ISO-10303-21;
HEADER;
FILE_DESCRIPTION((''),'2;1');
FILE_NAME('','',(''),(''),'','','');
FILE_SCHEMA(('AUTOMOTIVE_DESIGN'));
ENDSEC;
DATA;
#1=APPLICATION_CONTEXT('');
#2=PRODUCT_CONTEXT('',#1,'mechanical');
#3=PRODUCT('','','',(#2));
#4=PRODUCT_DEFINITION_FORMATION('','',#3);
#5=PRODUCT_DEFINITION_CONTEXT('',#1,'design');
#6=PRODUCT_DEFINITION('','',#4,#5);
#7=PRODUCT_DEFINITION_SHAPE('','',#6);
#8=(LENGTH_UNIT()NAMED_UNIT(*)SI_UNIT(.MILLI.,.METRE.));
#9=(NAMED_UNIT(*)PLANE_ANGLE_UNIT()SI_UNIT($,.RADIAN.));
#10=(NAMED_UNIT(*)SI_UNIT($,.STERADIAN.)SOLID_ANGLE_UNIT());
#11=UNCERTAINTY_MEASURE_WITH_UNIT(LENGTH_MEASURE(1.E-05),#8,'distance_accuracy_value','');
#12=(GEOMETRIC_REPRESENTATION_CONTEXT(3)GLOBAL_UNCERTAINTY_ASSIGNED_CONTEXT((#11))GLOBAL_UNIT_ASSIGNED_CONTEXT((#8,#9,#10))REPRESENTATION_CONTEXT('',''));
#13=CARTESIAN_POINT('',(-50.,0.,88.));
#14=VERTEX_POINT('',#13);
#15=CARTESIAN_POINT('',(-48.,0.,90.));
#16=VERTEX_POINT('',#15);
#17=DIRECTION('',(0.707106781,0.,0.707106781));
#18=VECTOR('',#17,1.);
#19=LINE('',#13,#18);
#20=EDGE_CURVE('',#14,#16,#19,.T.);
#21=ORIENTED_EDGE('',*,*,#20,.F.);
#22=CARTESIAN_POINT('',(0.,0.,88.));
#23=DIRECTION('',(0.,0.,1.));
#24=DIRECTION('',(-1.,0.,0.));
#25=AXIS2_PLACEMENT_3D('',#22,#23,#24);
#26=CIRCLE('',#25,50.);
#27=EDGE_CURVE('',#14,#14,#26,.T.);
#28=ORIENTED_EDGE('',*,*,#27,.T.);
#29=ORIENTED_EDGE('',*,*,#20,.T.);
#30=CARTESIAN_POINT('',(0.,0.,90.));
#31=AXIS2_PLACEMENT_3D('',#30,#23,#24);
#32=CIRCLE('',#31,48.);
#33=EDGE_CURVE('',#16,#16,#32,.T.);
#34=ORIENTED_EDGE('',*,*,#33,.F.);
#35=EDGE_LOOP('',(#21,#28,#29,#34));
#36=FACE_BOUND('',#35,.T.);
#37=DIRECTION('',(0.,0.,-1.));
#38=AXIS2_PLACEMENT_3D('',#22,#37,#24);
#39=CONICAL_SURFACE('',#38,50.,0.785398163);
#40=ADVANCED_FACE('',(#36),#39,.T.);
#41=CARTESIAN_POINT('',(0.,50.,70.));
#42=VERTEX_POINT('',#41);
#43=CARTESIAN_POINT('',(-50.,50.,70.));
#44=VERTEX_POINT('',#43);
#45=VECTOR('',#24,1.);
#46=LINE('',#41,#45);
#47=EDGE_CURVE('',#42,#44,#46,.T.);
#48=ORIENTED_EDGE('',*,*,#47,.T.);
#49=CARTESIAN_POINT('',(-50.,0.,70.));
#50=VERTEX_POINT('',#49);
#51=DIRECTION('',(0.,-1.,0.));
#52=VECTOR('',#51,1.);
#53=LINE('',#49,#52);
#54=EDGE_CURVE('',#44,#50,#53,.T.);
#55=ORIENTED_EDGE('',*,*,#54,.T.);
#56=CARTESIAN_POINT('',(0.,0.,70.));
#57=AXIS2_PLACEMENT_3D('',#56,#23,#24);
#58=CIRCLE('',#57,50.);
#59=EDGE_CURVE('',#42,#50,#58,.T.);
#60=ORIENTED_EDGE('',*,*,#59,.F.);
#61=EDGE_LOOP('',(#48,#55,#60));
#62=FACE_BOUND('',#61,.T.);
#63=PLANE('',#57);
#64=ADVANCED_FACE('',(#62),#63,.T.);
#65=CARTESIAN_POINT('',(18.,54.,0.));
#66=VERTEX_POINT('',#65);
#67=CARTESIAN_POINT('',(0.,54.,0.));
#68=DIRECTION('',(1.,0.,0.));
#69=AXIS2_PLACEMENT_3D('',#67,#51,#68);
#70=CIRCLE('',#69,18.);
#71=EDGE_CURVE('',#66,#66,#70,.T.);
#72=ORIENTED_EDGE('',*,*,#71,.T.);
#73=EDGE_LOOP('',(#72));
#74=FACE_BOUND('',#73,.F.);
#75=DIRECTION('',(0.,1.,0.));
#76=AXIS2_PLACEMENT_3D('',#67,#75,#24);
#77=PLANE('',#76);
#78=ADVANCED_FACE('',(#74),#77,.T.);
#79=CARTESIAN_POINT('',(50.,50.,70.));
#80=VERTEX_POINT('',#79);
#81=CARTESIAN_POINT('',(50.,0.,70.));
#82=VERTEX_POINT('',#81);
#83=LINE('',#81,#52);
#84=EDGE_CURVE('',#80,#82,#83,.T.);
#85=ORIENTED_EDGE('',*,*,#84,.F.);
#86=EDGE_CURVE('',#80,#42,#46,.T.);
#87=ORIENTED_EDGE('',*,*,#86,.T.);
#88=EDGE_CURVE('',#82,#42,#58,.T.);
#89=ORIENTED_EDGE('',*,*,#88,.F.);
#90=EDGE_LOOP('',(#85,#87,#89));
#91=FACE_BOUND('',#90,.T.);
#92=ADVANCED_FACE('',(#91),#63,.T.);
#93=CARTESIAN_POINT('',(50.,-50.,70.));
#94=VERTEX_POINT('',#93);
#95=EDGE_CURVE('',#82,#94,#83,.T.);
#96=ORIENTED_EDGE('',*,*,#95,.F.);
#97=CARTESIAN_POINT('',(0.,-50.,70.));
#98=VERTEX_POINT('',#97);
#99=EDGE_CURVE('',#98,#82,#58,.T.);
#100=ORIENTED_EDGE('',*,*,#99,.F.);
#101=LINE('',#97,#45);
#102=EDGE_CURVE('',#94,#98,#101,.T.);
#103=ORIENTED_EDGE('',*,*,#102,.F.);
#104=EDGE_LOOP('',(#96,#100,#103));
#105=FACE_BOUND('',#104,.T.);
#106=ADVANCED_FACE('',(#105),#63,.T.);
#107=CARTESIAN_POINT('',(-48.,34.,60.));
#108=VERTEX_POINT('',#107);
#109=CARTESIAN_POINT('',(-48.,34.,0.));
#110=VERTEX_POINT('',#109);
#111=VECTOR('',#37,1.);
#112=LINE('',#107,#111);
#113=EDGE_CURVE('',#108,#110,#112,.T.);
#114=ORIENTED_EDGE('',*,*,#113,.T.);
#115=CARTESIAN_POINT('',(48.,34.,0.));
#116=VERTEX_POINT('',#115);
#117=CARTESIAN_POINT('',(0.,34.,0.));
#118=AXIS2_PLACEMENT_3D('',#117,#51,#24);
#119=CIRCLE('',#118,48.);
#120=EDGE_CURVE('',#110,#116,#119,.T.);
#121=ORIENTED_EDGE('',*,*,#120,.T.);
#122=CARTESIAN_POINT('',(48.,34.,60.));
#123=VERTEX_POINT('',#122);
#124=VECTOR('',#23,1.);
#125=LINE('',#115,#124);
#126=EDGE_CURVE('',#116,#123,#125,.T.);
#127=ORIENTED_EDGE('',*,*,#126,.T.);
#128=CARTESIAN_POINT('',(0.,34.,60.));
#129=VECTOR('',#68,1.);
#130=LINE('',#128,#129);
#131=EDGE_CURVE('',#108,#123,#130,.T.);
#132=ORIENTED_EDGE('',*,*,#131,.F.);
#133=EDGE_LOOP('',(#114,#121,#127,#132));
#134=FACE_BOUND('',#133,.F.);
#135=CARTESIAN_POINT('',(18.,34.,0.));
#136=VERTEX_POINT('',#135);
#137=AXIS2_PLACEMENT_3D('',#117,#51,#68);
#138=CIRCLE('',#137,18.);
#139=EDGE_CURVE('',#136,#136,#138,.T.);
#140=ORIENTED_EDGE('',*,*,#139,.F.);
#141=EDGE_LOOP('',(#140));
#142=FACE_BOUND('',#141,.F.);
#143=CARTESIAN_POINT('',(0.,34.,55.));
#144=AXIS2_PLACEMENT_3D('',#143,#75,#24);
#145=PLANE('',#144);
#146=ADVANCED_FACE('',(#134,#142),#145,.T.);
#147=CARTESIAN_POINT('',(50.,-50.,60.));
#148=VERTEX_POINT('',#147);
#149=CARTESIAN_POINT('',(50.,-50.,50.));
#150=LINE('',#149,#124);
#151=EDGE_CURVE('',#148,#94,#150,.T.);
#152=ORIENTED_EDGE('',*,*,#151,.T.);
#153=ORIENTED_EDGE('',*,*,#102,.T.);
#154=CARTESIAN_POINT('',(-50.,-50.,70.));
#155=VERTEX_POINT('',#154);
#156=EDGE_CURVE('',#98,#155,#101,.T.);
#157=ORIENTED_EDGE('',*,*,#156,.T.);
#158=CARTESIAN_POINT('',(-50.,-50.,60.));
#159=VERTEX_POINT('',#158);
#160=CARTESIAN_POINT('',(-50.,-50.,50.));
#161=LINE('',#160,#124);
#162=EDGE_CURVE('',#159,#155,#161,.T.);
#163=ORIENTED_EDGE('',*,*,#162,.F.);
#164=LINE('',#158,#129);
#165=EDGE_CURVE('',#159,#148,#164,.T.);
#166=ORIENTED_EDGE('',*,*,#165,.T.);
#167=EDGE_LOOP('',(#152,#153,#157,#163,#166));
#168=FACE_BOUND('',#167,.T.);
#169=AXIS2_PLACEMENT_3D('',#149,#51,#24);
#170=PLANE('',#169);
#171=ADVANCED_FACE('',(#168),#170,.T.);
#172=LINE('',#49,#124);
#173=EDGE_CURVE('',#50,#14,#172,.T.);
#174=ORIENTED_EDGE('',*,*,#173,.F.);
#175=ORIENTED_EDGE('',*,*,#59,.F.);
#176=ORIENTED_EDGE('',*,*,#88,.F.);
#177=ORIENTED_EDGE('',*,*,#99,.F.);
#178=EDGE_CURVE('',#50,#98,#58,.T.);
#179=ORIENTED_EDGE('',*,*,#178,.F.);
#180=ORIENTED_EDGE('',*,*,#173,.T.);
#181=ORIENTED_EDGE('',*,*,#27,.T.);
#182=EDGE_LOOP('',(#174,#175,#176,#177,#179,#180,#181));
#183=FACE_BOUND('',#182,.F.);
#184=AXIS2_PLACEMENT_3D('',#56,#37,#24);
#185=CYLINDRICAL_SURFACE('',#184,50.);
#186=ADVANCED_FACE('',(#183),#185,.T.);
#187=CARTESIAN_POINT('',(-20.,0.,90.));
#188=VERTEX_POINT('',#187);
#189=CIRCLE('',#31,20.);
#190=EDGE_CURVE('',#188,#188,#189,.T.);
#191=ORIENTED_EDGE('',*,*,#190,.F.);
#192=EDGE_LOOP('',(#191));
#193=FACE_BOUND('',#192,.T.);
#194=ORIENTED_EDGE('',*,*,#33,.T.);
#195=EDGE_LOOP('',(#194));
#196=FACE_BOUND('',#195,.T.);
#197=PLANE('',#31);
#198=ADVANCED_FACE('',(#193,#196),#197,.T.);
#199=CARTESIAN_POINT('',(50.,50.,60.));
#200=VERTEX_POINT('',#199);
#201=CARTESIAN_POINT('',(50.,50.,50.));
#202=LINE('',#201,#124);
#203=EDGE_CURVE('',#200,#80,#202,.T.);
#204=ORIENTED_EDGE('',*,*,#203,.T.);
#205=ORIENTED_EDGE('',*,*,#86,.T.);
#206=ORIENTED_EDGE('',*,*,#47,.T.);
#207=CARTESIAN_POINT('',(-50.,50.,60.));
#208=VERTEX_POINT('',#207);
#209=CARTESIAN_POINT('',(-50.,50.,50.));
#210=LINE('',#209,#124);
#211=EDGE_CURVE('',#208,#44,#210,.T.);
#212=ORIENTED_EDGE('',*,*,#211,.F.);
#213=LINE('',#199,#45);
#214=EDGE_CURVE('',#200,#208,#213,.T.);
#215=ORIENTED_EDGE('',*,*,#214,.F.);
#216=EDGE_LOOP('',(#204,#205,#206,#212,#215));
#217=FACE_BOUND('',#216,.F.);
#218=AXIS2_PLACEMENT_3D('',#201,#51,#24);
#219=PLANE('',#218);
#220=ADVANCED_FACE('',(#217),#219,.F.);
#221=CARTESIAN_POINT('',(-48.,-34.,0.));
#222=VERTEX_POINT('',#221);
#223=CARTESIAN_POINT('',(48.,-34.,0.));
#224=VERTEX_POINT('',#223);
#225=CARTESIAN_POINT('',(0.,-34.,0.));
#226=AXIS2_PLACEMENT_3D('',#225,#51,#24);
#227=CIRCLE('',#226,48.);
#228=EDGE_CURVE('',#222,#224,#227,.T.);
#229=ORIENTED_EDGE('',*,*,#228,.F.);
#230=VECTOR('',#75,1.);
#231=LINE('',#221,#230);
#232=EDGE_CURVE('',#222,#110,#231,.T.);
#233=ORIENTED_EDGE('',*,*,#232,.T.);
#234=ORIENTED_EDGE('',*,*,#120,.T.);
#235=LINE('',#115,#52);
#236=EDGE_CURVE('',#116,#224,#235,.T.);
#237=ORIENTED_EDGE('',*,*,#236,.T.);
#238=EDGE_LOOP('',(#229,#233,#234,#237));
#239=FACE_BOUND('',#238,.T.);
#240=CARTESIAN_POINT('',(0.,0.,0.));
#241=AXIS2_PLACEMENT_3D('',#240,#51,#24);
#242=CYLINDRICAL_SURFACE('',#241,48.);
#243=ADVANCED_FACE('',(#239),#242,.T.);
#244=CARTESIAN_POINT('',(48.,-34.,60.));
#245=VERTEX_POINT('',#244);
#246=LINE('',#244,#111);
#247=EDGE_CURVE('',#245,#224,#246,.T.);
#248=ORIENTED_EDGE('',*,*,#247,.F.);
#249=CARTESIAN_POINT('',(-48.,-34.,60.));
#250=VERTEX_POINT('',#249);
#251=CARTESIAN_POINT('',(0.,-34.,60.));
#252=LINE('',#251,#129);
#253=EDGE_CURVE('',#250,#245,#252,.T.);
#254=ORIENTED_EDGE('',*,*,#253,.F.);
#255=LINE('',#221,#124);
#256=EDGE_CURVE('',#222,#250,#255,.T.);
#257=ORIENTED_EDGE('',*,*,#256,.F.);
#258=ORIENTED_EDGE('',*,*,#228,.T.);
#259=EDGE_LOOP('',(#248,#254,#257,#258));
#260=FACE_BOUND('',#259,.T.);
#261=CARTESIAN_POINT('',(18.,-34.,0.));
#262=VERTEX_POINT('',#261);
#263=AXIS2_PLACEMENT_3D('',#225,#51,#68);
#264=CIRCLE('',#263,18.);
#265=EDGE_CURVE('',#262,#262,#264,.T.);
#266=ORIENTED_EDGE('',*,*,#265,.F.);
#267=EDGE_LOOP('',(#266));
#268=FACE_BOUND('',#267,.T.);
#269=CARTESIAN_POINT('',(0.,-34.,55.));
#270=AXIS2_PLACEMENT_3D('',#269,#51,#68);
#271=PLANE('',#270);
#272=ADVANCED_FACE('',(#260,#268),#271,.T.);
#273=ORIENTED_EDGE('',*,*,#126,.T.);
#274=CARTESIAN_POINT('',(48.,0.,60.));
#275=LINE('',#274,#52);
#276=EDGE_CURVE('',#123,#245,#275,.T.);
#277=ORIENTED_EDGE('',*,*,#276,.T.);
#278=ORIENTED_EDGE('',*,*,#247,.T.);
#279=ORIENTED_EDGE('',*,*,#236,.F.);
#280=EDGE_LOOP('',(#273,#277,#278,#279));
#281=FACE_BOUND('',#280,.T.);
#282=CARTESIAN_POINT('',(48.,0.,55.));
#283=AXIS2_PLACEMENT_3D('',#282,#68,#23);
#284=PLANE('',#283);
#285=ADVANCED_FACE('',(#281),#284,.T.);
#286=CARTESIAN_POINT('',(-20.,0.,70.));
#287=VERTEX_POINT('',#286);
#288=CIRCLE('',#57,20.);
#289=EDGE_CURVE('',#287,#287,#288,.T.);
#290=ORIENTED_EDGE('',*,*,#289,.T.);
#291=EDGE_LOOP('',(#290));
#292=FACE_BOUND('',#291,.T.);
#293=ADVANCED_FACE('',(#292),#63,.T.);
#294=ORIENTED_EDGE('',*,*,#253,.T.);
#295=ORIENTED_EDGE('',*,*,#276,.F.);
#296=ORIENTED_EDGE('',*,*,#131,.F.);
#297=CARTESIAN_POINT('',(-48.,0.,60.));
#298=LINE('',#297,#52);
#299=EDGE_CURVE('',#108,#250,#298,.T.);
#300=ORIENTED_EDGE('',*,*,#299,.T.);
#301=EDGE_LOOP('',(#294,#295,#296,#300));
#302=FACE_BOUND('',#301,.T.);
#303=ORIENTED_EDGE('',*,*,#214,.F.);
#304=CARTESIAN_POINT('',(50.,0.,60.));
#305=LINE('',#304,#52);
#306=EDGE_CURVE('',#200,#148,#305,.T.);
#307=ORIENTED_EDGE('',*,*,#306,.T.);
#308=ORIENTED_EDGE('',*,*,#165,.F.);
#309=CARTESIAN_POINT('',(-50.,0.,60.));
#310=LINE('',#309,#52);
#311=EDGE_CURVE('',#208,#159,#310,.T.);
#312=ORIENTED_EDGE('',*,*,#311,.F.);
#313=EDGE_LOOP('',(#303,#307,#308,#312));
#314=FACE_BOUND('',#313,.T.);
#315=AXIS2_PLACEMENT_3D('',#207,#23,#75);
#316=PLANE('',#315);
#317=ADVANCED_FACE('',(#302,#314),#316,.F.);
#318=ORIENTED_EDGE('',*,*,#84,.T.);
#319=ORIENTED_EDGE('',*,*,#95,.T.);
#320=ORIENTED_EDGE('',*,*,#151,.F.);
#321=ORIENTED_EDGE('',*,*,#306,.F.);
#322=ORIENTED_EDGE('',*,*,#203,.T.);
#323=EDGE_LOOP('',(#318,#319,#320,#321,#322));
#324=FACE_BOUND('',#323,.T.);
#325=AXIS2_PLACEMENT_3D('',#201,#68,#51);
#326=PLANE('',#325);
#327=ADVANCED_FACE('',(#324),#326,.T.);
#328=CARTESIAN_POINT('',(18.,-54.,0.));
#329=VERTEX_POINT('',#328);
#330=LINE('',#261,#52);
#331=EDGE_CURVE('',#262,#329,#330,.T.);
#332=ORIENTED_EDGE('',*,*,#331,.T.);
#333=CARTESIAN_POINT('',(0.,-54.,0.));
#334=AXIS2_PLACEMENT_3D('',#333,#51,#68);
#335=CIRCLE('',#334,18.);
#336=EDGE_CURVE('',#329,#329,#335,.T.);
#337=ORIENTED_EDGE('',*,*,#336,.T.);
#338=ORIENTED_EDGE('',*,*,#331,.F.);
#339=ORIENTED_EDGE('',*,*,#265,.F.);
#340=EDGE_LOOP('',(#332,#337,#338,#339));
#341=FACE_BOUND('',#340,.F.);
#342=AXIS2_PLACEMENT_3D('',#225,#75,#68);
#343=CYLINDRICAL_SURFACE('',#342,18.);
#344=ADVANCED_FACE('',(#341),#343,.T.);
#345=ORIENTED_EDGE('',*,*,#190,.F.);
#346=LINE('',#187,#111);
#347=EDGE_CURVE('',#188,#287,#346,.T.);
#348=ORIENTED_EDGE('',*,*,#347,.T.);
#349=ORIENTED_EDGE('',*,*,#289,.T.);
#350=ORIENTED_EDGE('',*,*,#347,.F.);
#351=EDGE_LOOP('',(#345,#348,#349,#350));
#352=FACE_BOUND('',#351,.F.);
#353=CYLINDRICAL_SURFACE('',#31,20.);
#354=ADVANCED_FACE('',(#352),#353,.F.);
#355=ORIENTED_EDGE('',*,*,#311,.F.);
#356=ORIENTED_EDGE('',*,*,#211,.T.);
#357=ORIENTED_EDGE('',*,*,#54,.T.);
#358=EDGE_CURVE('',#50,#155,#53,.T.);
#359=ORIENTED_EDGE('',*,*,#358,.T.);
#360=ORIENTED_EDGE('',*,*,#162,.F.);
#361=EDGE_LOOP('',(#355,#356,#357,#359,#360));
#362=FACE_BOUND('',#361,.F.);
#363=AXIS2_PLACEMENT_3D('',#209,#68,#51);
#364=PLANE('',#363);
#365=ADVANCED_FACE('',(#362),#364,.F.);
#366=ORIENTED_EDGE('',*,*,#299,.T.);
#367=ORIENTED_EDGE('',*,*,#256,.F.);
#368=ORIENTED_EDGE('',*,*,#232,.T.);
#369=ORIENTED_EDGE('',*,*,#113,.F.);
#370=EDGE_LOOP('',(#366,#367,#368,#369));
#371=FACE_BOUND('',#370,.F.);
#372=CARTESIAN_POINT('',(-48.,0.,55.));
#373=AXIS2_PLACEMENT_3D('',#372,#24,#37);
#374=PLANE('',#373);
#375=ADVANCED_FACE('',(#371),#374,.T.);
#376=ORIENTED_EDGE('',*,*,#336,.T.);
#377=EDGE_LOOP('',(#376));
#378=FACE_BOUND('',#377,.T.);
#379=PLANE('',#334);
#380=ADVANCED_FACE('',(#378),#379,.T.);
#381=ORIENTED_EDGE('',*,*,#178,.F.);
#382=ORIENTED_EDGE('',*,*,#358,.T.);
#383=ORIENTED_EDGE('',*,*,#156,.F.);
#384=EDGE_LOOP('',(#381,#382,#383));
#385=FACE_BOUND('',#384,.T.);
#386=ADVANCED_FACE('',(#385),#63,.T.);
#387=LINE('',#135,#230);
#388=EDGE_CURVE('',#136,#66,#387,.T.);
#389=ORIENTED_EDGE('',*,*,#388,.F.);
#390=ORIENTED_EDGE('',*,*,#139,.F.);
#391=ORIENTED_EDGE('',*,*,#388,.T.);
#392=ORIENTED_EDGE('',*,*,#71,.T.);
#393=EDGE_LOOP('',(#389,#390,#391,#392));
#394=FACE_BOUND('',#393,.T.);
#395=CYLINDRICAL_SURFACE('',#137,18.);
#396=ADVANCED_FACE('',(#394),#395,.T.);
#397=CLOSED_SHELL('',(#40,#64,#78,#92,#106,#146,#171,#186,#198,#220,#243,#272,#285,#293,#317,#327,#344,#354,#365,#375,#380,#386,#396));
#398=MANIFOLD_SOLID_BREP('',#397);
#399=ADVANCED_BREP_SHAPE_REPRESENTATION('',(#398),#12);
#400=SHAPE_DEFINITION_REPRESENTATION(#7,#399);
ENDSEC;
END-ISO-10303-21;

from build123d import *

# Parameters (mm, degrees)
PAD_DEPTH       = 34
SKETCH001_R     = 18
PAD001_DEPTH    = 20
SKETCH002_W     = 100
SKETCH002_H     = 100
PAD002_DEPTH    = 20
SKETCH003_R     = 50
PAD003_DEPTH    = 20
CHAMFER_SIZE    = 2
SKETCH004_R     = 20
POCKET_DEPTH    = 20
SKETCH005_W     = 96
SKETCH005_H     = 10
POCKET001_DEPTH = 16
SKETCH006_W     = 10
SKETCH006_H     = 100
POCKET002_DEPTH = 2


with BuildPart() as part:
    # Sketch → Pad (new body, symmetric)
    with BuildSketch(Plane.XZ):
        with BuildLine():
            ThreePointArc((-48, 0), (0, -48), (48, 0))
            Line((48, 50), (48, 0))
            Line((-48, 50), (48, 50))
            Line((-48, 0), (-48, 50))
        make_face()
    extrude(amount=PAD_DEPTH, both=True)

    # Sketch001 (on Face6 of Pad) → Pad001 (join)
    with BuildSketch(Plane.XZ.offset(34)):
        Circle(SKETCH001_R)
    pad001 = extrude(amount=PAD001_DEPTH)

    # Mirrored: Pad001 across XZ
    add(pad001.mirror(Plane.XZ))

    # Sketch002 (on Face6 of Mirrored) → Pad002 (join)
    with BuildSketch(Plane(origin=(0, 0, 50), x_dir=(-1, 0, 0), z_dir=(0, 0, 1))):
        Rectangle(SKETCH002_W, SKETCH002_H)
    extrude(amount=PAD002_DEPTH)

    # Sketch003 (on Face5 of Pad002) → Pad003 (join)
    with BuildSketch(Plane(origin=(0, 0, 70), x_dir=(-1, 0, 0), z_dir=(0, 0, 1))):
        Circle(SKETCH003_R)
    extrude(amount=PAD003_DEPTH)

    # Chamfer
    chamfer_edges = [part.edges().sort_by_distance(p)[0] for p in [
        (50, 0, 90),
    ]]
    chamfer(chamfer_edges, length=CHAMFER_SIZE)

    # Sketch004 (on Face7 of Chamfer) → Pocket (cut)
    with BuildSketch(Plane(origin=(0, 0, 90), x_dir=(-1, 0, 0), z_dir=(0, 0, 1))):
        Circle(SKETCH004_R)
    extrude(amount=-POCKET_DEPTH, mode=Mode.SUBTRACT)

    # Sketch005 (on Face11 of Pocket) → Pocket001 (cut)
    with BuildSketch(Plane.XZ.offset(50)):
        with Locations((0, 55)):
            Rectangle(SKETCH005_W, SKETCH005_H)
    pocket001 = extrude(amount=-POCKET001_DEPTH, mode=Mode.SUBTRACT)

    # Mirrored001: Pocket001 across XZ
    add(pocket001.mirror(Plane.XZ), mode=Mode.SUBTRACT)

    # Sketch006 (on Face10 of Mirrored001) → Pocket002 (cut)
    with BuildSketch(Plane(origin=(50, 0, 0), x_dir=(0, 0, 1), z_dir=(1, 0, 0))):
        with Locations((55, 0)):
            Rectangle(SKETCH006_W, SKETCH006_H)
    pocket002 = extrude(amount=-POCKET002_DEPTH, mode=Mode.SUBTRACT)

    # Mirrored002: Pocket002 across YZ
    add(pocket002.mirror(Plane.YZ), mode=Mode.SUBTRACT)


solid = part.part
